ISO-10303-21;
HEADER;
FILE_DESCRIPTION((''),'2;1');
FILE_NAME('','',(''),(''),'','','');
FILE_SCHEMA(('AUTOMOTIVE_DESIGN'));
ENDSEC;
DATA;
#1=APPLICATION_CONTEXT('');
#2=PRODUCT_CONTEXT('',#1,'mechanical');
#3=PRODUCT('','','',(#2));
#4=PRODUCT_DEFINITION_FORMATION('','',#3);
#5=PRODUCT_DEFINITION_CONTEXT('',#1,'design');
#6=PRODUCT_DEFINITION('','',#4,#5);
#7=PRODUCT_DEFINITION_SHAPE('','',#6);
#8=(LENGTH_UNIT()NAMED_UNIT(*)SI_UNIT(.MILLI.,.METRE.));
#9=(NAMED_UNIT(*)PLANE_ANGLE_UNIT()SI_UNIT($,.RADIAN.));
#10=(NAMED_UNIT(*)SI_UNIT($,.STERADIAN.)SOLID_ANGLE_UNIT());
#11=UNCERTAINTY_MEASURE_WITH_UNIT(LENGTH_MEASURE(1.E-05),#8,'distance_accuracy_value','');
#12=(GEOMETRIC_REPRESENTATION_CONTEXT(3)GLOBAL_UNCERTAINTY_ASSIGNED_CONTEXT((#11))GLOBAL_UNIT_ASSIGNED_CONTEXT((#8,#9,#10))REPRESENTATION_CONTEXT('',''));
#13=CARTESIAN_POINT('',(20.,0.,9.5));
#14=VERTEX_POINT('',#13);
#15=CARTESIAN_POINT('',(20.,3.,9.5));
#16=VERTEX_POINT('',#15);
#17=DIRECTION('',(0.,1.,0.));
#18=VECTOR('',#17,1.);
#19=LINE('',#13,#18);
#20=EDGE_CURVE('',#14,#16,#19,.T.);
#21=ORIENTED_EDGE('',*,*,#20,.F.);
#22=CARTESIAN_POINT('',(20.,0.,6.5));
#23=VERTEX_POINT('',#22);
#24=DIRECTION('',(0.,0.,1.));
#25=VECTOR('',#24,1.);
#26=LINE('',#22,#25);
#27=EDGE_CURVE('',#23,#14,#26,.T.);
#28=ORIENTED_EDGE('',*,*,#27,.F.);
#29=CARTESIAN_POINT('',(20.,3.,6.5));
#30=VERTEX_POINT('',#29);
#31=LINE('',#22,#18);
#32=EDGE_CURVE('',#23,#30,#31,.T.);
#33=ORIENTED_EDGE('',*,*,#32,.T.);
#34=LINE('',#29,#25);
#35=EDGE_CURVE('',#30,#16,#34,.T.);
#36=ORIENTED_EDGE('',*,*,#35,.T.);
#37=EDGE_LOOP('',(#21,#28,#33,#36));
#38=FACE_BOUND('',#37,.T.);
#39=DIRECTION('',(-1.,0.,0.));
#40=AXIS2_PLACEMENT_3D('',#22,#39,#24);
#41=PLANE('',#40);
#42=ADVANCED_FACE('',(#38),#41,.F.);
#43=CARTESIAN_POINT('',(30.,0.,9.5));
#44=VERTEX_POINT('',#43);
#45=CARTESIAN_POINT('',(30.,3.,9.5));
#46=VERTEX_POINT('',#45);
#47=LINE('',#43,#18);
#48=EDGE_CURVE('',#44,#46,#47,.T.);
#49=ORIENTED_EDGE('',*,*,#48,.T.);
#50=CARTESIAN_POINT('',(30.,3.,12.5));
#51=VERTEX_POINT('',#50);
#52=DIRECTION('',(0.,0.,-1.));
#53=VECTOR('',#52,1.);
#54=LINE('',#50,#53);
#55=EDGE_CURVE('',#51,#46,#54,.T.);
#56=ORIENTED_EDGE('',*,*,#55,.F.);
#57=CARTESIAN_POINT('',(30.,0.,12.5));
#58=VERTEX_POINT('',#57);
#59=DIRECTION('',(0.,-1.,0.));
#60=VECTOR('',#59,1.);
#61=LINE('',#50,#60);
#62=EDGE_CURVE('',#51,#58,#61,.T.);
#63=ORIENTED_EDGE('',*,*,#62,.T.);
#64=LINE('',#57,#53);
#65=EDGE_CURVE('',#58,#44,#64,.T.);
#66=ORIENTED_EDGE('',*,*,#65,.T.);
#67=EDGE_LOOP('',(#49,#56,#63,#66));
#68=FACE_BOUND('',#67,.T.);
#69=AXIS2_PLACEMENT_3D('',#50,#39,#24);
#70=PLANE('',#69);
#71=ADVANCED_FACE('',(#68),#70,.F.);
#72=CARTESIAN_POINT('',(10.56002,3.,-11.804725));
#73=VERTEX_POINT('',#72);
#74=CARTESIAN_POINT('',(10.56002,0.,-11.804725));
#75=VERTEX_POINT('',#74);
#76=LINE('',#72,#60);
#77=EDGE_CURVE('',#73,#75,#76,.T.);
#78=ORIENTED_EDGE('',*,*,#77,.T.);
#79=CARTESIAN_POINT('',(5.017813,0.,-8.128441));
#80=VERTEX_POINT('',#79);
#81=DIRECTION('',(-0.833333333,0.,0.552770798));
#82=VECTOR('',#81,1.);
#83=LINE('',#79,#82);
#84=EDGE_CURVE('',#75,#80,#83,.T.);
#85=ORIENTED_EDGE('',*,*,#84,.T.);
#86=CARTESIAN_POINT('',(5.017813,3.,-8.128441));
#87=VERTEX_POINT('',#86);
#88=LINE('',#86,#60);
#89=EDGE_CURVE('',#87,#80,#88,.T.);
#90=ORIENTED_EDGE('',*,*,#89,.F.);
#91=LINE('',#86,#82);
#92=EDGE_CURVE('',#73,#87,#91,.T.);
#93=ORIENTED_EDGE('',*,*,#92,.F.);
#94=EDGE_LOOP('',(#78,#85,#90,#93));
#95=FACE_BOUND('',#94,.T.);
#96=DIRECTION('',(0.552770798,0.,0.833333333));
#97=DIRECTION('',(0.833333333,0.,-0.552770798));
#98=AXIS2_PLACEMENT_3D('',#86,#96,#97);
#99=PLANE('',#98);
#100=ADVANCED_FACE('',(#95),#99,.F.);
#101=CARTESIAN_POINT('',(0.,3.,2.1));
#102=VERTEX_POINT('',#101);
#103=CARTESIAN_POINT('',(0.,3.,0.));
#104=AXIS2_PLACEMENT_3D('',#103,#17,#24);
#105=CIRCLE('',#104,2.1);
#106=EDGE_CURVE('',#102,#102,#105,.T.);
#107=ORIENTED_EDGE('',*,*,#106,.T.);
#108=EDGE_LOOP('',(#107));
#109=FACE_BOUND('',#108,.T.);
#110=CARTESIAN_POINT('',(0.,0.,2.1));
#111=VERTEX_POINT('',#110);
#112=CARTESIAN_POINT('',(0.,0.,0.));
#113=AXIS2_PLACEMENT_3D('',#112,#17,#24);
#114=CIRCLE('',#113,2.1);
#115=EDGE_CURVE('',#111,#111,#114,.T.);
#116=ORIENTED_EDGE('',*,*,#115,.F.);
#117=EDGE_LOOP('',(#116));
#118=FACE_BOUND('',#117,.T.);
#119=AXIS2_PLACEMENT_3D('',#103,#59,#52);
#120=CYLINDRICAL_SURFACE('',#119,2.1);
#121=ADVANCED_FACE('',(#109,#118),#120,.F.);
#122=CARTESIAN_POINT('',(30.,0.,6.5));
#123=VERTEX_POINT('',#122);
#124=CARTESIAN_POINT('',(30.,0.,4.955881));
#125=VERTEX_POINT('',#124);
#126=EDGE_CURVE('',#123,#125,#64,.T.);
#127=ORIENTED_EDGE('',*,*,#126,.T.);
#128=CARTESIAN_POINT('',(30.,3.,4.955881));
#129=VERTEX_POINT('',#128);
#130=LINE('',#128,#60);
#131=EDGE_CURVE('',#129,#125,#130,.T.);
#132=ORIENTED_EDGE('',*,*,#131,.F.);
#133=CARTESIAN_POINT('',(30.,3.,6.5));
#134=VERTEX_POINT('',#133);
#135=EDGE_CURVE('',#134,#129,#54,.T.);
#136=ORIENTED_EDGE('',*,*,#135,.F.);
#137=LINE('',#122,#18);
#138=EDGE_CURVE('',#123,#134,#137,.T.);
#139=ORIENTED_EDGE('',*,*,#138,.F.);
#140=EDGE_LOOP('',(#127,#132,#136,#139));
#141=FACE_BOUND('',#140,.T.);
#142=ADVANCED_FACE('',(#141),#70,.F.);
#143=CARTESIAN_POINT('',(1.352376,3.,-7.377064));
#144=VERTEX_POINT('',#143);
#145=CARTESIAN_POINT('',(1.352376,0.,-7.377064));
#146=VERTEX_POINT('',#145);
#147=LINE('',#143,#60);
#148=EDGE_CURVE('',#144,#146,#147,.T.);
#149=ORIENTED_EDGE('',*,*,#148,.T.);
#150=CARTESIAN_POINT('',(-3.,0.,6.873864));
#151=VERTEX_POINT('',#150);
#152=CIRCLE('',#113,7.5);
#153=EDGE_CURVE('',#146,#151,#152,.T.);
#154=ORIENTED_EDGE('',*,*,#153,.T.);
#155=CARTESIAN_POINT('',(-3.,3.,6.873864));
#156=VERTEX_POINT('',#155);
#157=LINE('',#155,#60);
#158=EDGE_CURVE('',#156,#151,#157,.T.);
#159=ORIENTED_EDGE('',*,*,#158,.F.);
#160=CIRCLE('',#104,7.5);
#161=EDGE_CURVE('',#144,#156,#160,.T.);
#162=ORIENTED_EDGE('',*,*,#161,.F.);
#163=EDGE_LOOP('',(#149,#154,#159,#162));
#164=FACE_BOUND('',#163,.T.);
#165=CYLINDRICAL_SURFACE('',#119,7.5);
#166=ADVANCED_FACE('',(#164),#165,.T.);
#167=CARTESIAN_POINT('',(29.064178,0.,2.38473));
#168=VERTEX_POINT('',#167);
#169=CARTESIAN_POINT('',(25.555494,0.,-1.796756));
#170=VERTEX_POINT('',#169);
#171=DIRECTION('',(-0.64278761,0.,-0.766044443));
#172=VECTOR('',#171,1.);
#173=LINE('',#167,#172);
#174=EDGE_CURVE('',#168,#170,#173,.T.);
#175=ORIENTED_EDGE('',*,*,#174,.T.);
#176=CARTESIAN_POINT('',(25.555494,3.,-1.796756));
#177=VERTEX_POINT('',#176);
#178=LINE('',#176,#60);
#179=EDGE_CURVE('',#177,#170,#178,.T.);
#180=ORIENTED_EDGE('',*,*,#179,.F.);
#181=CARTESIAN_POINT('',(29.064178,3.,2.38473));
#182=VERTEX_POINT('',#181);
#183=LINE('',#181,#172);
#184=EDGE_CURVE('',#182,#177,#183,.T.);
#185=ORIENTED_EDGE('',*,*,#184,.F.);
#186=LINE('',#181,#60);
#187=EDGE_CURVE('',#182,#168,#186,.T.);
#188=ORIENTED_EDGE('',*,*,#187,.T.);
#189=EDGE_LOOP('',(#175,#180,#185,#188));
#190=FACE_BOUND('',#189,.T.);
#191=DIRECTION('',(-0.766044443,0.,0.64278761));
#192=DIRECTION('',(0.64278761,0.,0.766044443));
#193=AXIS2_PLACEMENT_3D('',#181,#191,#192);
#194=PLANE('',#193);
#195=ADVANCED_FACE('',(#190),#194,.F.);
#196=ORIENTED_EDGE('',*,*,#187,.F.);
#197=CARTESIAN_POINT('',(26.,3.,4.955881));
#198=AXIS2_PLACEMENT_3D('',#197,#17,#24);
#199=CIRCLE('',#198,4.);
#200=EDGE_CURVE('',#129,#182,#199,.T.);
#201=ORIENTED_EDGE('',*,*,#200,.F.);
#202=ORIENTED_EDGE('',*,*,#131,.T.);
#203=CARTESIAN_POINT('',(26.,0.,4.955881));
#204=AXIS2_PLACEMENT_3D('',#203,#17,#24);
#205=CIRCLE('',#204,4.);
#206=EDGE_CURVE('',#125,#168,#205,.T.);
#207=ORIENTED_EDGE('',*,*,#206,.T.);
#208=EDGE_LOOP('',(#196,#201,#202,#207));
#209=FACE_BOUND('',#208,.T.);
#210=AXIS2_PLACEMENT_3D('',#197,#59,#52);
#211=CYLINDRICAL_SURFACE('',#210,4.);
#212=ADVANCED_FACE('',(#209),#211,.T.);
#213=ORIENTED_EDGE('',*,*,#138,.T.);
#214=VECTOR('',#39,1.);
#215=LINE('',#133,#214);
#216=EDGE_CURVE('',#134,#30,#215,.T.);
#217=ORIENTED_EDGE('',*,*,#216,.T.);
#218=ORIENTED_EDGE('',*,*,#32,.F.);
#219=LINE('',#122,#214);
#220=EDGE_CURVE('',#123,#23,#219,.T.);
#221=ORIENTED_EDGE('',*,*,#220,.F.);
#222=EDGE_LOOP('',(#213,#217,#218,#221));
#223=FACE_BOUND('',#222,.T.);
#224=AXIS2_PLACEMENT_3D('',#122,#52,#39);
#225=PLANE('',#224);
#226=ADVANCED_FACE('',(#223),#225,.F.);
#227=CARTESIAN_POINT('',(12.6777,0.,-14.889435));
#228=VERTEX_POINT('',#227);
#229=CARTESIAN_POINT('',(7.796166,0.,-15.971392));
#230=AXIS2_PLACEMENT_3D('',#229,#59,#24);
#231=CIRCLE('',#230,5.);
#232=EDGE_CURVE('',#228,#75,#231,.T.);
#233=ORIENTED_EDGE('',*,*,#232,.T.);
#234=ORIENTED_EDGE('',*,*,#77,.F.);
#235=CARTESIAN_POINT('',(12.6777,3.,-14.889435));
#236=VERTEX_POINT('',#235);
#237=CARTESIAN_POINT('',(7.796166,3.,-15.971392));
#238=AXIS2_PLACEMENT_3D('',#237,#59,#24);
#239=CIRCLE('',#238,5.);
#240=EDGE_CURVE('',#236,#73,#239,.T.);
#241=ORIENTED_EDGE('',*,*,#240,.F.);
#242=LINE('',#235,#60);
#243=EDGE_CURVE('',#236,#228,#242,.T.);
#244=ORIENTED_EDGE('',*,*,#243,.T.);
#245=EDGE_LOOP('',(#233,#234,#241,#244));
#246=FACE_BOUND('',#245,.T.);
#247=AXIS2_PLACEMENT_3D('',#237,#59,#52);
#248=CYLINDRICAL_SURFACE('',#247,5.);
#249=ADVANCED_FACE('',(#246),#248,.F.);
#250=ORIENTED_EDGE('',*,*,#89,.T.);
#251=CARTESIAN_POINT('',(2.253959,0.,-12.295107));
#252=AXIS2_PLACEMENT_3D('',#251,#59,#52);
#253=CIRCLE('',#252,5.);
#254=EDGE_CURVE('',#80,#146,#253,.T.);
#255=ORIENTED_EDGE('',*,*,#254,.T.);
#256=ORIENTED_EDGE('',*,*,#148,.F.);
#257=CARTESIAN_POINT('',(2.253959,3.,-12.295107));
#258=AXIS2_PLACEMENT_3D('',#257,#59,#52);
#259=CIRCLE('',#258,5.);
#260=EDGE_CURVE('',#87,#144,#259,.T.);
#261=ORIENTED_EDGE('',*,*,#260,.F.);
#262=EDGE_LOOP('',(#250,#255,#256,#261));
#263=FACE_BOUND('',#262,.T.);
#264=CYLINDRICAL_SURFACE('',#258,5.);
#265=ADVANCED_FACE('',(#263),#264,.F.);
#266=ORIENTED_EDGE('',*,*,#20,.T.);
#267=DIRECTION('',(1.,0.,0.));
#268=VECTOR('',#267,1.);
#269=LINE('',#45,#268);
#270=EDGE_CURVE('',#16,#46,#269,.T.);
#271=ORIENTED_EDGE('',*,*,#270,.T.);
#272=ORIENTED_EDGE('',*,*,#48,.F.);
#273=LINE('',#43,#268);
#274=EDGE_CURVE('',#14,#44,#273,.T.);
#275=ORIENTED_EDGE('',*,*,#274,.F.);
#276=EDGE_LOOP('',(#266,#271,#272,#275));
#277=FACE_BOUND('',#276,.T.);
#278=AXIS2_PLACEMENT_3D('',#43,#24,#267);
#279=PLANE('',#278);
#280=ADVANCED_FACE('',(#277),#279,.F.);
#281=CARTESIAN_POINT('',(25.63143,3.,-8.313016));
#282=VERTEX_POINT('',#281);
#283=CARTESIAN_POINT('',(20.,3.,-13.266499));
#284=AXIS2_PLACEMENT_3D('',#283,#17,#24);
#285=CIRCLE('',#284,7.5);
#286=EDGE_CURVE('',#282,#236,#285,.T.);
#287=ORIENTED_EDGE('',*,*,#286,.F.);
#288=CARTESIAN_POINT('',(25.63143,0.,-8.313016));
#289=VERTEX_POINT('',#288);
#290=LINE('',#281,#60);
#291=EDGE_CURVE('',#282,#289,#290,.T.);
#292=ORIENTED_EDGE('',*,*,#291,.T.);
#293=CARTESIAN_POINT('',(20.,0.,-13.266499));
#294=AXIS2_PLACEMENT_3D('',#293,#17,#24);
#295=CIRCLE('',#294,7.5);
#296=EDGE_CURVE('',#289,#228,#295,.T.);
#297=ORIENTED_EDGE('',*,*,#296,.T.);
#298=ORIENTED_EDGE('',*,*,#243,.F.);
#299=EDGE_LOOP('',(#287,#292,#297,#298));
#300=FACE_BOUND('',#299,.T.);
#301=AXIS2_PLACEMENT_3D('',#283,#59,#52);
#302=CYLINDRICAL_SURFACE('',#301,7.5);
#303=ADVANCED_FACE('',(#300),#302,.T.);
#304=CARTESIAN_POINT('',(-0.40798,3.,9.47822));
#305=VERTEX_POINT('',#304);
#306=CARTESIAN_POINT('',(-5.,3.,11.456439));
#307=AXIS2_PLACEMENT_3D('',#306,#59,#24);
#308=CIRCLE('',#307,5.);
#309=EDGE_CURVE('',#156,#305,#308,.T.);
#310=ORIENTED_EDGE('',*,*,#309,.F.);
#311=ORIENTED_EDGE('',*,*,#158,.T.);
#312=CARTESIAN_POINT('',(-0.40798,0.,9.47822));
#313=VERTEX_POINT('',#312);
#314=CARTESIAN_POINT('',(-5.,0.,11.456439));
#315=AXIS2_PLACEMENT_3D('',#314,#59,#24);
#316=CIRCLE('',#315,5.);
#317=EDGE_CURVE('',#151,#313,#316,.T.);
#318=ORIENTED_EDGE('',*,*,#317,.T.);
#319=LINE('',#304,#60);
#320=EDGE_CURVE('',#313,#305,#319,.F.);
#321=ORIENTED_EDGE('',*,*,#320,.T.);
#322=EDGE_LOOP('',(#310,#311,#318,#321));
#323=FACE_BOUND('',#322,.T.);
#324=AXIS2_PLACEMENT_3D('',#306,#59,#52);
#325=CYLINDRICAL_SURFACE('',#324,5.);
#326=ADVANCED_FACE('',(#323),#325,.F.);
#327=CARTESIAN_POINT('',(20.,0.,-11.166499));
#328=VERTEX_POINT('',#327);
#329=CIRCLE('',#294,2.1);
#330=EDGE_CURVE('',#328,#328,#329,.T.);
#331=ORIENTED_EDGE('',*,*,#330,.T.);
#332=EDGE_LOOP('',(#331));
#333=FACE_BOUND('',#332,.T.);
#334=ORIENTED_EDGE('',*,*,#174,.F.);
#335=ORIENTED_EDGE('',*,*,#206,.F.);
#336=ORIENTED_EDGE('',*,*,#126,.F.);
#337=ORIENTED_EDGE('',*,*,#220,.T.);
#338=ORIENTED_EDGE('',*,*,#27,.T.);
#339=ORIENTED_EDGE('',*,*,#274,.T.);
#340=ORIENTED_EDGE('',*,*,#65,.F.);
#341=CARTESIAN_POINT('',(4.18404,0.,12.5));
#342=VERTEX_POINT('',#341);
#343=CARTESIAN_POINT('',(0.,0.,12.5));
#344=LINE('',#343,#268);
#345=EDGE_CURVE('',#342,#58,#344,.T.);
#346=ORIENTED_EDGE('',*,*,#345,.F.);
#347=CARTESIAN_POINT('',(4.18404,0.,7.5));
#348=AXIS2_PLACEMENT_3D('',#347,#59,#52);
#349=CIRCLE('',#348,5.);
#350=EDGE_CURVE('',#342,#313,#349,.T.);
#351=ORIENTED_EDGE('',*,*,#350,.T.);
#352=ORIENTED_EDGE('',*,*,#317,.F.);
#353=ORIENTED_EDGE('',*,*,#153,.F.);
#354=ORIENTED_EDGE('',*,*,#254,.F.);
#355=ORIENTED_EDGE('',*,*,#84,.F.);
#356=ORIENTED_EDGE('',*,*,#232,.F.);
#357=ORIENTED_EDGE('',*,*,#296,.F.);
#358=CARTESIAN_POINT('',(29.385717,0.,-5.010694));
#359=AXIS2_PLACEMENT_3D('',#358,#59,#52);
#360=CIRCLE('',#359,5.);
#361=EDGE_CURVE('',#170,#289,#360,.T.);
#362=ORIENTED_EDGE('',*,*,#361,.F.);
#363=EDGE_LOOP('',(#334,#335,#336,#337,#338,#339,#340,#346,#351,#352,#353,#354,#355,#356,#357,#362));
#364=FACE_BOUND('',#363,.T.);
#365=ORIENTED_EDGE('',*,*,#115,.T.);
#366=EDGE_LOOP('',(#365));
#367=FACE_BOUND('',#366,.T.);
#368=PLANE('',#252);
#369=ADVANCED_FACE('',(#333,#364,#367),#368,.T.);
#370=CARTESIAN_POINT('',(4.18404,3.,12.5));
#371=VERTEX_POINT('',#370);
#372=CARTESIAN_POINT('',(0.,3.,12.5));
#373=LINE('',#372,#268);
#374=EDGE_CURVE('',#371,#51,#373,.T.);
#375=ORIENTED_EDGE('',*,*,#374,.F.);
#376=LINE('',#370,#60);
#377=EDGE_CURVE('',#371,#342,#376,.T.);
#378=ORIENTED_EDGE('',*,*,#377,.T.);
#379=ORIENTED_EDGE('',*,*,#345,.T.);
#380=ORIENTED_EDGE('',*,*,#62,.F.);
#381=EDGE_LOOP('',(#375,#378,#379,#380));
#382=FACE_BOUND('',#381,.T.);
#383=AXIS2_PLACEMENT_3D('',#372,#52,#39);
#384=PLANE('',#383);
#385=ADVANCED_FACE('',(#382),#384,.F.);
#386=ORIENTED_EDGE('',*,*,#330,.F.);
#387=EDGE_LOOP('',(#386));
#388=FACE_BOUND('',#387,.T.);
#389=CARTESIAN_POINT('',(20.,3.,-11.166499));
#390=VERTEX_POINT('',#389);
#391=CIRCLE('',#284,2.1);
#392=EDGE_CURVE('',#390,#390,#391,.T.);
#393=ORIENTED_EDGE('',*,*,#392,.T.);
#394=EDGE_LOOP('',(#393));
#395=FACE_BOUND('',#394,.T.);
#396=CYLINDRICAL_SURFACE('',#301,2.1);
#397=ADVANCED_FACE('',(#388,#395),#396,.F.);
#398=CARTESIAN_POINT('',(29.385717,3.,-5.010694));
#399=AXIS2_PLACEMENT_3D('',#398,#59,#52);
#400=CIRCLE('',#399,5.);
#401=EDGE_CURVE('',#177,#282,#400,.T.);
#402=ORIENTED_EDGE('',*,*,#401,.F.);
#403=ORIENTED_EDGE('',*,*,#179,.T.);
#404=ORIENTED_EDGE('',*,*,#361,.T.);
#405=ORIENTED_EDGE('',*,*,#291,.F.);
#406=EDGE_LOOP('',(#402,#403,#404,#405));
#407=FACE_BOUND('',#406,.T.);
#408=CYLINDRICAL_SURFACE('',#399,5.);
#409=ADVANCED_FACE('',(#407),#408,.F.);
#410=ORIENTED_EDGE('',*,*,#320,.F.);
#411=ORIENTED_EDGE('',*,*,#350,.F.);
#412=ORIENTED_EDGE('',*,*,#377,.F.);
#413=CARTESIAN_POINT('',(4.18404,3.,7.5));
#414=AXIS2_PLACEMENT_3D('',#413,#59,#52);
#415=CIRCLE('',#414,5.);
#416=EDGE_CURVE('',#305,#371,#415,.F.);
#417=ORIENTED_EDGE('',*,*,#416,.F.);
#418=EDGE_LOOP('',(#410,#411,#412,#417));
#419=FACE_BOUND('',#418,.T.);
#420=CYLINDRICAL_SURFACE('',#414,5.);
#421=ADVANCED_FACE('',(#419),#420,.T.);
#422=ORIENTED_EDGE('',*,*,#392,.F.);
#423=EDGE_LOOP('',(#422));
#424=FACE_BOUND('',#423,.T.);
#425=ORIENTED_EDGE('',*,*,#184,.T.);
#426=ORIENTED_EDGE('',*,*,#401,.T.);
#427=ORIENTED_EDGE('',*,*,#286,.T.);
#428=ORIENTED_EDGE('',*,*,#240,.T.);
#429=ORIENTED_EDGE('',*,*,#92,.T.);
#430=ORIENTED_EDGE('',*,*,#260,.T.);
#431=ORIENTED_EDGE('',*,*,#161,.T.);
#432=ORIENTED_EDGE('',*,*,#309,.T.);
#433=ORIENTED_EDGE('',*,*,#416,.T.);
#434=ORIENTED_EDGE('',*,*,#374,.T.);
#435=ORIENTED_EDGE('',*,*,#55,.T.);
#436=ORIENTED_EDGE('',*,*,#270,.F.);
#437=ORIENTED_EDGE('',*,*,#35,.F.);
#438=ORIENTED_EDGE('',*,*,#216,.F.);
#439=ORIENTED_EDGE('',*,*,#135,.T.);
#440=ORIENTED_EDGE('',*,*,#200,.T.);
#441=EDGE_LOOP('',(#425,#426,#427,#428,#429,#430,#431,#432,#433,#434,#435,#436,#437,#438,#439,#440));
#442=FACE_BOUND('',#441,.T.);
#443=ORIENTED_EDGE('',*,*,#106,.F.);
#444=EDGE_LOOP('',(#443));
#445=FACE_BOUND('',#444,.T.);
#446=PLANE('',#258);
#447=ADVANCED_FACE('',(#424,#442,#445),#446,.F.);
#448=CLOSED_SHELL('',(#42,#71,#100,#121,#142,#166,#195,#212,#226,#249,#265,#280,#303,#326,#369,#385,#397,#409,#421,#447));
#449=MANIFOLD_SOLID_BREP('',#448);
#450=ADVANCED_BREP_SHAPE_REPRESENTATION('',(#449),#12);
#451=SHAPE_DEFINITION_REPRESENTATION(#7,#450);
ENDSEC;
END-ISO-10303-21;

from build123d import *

# Parameters (mm, degrees)
SKETCH1_R           = 2.1
BOSS_EXTRUDE1_DEPTH = 3
FILLET1_R           = 5
SKETCH2_W           = 10
SKETCH2_H           = 3
CUT_EXTRUDE1_DEPTH  = 3


with BuildPart() as part:
    # Sketch1 → Boss-Extrude1 (new body)
    with BuildSketch(Plane(origin=(0, 0, 0), x_dir=(1, 0, 0), z_dir=(0, 1, 0))):
        with BuildLine():
            Line((0, -11.456439237), (0, -12.5))
            Line((0, -12.5), (30, -12.5))
            Line((30, -12.5), (30, -4.955880937))
            ThreePointArc((30, -4.955880937), (29.758770483, -3.587800364), (29.064177772, -2.384730498))
            Line((29.064177772, -2.384730498), (25.555494336, 1.796755592))
            ThreePointArc((25.555494336, 1.796755592), (24.386056013, 5.068955923), (25.631429931, 8.313015849))
            ThreePointArc((25.631429931, 8.313015849), (23.39515563, 19.95401875), (12.677699795, 14.889434685))
            ThreePointArc((12.677699795, 14.889434685), (11.918282987, 13.141523465), (10.560020318, 11.804725034))
            Line((10.560020318, 11.804725034), (5.017813295, 8.128440794))
            ThreePointArc((5.017813295, 8.128440794), (3.258028142, 7.396960283), (1.352375582, 7.377064476))
            ThreePointArc((1.352375582, 7.377064476), (-7.172928544, 2.190683933), (-3, -6.873863542))
            ThreePointArc((-3, -6.873863542), (-0.816699867, -8.71782645), (0, -11.456439237))
        make_face()
        with Locations(Location((0, 0, 0), (0, 0, 270))):
            Circle(SKETCH1_R, mode=Mode.SUBTRACT)
        with Locations(Location((20, 13.266499161, 0), (0, 0, 270))):
            Circle(SKETCH1_R, mode=Mode.SUBTRACT)
    extrude(amount=BOSS_EXTRUDE1_DEPTH)

    # Fillet1
    fillet1_edges = [part.edges().sort_by_distance(p)[0] for p in [
        (0, 1.5, 12.5),
    ]]
    fillet(fillet1_edges, radius=FILLET1_R)

    # Sketch2 → Cut-Extrude1 (cut)
    with BuildSketch(Plane(origin=(0, 3, 0), x_dir=(1, 0, 0), z_dir=(0, 1, 0))):
        with Locations((25, -8)):
            Rectangle(SKETCH2_W, SKETCH2_H)
    extrude(amount=-CUT_EXTRUDE1_DEPTH, mode=Mode.SUBTRACT)


solid = part.part
